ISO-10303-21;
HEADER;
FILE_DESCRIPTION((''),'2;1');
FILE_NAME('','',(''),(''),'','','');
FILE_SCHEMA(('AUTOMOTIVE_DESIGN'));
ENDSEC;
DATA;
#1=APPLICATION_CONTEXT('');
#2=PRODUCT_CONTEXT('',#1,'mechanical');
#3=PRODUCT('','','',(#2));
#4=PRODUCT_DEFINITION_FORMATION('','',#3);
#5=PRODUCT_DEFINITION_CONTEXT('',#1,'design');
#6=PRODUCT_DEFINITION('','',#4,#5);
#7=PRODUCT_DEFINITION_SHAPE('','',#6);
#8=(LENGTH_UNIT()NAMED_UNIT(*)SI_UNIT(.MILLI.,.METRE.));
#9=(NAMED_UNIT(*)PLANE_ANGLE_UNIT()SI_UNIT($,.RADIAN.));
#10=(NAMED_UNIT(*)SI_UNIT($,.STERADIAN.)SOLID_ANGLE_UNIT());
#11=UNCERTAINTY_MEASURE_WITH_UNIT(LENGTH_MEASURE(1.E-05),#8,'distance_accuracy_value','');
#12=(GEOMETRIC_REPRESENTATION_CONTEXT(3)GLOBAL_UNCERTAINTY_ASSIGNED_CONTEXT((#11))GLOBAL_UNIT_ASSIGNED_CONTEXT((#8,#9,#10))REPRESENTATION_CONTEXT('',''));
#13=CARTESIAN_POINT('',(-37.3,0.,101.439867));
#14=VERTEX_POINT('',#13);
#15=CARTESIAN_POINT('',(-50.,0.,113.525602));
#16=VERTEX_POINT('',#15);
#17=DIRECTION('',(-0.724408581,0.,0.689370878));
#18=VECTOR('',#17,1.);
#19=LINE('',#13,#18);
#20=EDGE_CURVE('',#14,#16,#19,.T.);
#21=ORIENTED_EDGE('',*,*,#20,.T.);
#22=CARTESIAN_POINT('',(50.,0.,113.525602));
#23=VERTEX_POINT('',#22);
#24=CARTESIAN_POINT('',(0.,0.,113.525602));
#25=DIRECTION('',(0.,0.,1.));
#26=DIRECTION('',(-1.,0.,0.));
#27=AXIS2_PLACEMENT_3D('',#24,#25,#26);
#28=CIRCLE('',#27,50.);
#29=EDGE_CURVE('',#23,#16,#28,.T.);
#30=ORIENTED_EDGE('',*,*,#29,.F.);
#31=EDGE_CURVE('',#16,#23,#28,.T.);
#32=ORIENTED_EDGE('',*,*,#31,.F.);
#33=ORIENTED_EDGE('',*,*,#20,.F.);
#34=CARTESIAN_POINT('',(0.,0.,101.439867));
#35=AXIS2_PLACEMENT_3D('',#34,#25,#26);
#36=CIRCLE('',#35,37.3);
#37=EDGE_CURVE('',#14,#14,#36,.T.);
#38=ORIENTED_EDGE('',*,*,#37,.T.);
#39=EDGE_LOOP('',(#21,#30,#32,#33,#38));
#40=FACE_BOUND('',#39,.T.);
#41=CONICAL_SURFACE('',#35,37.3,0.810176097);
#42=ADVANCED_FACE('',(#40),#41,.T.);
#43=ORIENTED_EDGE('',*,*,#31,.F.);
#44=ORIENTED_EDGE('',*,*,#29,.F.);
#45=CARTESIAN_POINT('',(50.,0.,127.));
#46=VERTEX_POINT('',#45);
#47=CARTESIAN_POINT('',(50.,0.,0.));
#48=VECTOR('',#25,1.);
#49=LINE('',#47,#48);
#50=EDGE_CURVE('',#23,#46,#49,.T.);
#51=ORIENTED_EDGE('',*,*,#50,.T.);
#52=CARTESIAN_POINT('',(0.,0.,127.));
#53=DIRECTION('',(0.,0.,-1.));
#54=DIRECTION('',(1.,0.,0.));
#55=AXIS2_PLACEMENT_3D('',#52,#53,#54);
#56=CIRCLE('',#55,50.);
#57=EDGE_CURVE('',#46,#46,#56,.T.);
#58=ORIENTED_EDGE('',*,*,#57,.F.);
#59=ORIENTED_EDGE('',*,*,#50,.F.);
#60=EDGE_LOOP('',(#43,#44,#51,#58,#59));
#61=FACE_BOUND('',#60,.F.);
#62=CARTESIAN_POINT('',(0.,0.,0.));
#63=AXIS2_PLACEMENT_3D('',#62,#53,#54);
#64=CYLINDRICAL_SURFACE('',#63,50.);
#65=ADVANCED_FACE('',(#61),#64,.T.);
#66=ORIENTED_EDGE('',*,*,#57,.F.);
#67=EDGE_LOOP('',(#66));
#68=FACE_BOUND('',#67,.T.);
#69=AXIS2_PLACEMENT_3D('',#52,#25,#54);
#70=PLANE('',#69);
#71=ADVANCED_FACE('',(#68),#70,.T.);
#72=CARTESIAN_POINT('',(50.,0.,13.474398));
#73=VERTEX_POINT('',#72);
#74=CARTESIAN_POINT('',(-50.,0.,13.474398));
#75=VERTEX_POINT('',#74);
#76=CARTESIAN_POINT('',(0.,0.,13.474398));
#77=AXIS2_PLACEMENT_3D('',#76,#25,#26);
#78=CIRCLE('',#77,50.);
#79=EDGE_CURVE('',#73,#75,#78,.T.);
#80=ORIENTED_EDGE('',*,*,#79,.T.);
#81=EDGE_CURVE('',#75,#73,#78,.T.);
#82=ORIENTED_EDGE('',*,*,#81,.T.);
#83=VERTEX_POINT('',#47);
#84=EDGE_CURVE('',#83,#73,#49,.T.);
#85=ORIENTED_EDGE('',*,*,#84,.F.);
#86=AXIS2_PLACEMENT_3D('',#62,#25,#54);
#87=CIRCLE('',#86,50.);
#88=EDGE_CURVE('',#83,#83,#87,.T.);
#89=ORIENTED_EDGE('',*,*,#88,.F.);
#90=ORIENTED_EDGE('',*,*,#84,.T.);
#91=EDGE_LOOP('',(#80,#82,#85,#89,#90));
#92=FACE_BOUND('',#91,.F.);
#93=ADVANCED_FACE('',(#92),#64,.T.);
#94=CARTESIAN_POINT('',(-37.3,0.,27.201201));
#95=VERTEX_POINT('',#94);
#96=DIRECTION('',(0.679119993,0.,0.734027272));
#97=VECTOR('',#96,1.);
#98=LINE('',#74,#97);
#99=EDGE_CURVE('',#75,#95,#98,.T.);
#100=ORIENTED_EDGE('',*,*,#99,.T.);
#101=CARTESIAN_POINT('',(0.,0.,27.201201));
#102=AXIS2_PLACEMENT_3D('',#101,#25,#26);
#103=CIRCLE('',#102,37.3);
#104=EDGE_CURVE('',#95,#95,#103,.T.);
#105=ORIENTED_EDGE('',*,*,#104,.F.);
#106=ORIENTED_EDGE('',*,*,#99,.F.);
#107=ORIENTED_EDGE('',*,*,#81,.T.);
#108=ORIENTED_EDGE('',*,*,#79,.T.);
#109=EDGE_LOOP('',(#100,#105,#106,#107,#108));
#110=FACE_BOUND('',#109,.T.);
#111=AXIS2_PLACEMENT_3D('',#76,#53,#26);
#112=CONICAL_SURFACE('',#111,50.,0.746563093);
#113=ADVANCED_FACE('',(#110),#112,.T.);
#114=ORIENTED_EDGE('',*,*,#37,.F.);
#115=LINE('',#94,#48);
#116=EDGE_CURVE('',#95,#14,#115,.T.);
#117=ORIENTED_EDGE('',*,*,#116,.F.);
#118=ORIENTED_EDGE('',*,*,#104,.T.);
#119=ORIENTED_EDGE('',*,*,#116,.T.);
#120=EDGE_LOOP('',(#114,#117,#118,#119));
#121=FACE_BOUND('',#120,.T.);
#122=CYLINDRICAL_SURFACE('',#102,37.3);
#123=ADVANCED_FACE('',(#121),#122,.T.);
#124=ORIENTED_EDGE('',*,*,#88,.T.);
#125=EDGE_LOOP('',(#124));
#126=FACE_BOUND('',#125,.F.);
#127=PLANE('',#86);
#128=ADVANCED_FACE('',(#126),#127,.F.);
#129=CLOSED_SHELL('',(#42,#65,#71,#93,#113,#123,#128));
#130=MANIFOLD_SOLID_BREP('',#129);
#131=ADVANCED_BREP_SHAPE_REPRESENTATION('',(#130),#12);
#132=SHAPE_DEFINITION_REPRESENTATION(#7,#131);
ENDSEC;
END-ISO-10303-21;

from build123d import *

# Parameters (mm, degrees)
F0_R     = 50
F1_DEPTH = 127


with BuildPart() as f1:
    # F0 (on Top) → F1 (new body)
    with BuildSketch(Plane.XY):
        Circle(F0_R)
    extrude(amount=F1_DEPTH)

    # F2 (on Front) → F3 (revolve, cut)
    with BuildSketch(Plane.XZ):
        Polygon((-50, 113.525602), (-50, 127), (-84.931674, 127), (-84.931674, 0), (-50, 0), (-50, 13.474398), (-37.3, 27.201201), (-37.3, 101.439867), align=None)
    revolve(axis=Axis((0, 0, 61.645419), (0, 0, 1)), mode=Mode.SUBTRACT)


solid = f1.part
